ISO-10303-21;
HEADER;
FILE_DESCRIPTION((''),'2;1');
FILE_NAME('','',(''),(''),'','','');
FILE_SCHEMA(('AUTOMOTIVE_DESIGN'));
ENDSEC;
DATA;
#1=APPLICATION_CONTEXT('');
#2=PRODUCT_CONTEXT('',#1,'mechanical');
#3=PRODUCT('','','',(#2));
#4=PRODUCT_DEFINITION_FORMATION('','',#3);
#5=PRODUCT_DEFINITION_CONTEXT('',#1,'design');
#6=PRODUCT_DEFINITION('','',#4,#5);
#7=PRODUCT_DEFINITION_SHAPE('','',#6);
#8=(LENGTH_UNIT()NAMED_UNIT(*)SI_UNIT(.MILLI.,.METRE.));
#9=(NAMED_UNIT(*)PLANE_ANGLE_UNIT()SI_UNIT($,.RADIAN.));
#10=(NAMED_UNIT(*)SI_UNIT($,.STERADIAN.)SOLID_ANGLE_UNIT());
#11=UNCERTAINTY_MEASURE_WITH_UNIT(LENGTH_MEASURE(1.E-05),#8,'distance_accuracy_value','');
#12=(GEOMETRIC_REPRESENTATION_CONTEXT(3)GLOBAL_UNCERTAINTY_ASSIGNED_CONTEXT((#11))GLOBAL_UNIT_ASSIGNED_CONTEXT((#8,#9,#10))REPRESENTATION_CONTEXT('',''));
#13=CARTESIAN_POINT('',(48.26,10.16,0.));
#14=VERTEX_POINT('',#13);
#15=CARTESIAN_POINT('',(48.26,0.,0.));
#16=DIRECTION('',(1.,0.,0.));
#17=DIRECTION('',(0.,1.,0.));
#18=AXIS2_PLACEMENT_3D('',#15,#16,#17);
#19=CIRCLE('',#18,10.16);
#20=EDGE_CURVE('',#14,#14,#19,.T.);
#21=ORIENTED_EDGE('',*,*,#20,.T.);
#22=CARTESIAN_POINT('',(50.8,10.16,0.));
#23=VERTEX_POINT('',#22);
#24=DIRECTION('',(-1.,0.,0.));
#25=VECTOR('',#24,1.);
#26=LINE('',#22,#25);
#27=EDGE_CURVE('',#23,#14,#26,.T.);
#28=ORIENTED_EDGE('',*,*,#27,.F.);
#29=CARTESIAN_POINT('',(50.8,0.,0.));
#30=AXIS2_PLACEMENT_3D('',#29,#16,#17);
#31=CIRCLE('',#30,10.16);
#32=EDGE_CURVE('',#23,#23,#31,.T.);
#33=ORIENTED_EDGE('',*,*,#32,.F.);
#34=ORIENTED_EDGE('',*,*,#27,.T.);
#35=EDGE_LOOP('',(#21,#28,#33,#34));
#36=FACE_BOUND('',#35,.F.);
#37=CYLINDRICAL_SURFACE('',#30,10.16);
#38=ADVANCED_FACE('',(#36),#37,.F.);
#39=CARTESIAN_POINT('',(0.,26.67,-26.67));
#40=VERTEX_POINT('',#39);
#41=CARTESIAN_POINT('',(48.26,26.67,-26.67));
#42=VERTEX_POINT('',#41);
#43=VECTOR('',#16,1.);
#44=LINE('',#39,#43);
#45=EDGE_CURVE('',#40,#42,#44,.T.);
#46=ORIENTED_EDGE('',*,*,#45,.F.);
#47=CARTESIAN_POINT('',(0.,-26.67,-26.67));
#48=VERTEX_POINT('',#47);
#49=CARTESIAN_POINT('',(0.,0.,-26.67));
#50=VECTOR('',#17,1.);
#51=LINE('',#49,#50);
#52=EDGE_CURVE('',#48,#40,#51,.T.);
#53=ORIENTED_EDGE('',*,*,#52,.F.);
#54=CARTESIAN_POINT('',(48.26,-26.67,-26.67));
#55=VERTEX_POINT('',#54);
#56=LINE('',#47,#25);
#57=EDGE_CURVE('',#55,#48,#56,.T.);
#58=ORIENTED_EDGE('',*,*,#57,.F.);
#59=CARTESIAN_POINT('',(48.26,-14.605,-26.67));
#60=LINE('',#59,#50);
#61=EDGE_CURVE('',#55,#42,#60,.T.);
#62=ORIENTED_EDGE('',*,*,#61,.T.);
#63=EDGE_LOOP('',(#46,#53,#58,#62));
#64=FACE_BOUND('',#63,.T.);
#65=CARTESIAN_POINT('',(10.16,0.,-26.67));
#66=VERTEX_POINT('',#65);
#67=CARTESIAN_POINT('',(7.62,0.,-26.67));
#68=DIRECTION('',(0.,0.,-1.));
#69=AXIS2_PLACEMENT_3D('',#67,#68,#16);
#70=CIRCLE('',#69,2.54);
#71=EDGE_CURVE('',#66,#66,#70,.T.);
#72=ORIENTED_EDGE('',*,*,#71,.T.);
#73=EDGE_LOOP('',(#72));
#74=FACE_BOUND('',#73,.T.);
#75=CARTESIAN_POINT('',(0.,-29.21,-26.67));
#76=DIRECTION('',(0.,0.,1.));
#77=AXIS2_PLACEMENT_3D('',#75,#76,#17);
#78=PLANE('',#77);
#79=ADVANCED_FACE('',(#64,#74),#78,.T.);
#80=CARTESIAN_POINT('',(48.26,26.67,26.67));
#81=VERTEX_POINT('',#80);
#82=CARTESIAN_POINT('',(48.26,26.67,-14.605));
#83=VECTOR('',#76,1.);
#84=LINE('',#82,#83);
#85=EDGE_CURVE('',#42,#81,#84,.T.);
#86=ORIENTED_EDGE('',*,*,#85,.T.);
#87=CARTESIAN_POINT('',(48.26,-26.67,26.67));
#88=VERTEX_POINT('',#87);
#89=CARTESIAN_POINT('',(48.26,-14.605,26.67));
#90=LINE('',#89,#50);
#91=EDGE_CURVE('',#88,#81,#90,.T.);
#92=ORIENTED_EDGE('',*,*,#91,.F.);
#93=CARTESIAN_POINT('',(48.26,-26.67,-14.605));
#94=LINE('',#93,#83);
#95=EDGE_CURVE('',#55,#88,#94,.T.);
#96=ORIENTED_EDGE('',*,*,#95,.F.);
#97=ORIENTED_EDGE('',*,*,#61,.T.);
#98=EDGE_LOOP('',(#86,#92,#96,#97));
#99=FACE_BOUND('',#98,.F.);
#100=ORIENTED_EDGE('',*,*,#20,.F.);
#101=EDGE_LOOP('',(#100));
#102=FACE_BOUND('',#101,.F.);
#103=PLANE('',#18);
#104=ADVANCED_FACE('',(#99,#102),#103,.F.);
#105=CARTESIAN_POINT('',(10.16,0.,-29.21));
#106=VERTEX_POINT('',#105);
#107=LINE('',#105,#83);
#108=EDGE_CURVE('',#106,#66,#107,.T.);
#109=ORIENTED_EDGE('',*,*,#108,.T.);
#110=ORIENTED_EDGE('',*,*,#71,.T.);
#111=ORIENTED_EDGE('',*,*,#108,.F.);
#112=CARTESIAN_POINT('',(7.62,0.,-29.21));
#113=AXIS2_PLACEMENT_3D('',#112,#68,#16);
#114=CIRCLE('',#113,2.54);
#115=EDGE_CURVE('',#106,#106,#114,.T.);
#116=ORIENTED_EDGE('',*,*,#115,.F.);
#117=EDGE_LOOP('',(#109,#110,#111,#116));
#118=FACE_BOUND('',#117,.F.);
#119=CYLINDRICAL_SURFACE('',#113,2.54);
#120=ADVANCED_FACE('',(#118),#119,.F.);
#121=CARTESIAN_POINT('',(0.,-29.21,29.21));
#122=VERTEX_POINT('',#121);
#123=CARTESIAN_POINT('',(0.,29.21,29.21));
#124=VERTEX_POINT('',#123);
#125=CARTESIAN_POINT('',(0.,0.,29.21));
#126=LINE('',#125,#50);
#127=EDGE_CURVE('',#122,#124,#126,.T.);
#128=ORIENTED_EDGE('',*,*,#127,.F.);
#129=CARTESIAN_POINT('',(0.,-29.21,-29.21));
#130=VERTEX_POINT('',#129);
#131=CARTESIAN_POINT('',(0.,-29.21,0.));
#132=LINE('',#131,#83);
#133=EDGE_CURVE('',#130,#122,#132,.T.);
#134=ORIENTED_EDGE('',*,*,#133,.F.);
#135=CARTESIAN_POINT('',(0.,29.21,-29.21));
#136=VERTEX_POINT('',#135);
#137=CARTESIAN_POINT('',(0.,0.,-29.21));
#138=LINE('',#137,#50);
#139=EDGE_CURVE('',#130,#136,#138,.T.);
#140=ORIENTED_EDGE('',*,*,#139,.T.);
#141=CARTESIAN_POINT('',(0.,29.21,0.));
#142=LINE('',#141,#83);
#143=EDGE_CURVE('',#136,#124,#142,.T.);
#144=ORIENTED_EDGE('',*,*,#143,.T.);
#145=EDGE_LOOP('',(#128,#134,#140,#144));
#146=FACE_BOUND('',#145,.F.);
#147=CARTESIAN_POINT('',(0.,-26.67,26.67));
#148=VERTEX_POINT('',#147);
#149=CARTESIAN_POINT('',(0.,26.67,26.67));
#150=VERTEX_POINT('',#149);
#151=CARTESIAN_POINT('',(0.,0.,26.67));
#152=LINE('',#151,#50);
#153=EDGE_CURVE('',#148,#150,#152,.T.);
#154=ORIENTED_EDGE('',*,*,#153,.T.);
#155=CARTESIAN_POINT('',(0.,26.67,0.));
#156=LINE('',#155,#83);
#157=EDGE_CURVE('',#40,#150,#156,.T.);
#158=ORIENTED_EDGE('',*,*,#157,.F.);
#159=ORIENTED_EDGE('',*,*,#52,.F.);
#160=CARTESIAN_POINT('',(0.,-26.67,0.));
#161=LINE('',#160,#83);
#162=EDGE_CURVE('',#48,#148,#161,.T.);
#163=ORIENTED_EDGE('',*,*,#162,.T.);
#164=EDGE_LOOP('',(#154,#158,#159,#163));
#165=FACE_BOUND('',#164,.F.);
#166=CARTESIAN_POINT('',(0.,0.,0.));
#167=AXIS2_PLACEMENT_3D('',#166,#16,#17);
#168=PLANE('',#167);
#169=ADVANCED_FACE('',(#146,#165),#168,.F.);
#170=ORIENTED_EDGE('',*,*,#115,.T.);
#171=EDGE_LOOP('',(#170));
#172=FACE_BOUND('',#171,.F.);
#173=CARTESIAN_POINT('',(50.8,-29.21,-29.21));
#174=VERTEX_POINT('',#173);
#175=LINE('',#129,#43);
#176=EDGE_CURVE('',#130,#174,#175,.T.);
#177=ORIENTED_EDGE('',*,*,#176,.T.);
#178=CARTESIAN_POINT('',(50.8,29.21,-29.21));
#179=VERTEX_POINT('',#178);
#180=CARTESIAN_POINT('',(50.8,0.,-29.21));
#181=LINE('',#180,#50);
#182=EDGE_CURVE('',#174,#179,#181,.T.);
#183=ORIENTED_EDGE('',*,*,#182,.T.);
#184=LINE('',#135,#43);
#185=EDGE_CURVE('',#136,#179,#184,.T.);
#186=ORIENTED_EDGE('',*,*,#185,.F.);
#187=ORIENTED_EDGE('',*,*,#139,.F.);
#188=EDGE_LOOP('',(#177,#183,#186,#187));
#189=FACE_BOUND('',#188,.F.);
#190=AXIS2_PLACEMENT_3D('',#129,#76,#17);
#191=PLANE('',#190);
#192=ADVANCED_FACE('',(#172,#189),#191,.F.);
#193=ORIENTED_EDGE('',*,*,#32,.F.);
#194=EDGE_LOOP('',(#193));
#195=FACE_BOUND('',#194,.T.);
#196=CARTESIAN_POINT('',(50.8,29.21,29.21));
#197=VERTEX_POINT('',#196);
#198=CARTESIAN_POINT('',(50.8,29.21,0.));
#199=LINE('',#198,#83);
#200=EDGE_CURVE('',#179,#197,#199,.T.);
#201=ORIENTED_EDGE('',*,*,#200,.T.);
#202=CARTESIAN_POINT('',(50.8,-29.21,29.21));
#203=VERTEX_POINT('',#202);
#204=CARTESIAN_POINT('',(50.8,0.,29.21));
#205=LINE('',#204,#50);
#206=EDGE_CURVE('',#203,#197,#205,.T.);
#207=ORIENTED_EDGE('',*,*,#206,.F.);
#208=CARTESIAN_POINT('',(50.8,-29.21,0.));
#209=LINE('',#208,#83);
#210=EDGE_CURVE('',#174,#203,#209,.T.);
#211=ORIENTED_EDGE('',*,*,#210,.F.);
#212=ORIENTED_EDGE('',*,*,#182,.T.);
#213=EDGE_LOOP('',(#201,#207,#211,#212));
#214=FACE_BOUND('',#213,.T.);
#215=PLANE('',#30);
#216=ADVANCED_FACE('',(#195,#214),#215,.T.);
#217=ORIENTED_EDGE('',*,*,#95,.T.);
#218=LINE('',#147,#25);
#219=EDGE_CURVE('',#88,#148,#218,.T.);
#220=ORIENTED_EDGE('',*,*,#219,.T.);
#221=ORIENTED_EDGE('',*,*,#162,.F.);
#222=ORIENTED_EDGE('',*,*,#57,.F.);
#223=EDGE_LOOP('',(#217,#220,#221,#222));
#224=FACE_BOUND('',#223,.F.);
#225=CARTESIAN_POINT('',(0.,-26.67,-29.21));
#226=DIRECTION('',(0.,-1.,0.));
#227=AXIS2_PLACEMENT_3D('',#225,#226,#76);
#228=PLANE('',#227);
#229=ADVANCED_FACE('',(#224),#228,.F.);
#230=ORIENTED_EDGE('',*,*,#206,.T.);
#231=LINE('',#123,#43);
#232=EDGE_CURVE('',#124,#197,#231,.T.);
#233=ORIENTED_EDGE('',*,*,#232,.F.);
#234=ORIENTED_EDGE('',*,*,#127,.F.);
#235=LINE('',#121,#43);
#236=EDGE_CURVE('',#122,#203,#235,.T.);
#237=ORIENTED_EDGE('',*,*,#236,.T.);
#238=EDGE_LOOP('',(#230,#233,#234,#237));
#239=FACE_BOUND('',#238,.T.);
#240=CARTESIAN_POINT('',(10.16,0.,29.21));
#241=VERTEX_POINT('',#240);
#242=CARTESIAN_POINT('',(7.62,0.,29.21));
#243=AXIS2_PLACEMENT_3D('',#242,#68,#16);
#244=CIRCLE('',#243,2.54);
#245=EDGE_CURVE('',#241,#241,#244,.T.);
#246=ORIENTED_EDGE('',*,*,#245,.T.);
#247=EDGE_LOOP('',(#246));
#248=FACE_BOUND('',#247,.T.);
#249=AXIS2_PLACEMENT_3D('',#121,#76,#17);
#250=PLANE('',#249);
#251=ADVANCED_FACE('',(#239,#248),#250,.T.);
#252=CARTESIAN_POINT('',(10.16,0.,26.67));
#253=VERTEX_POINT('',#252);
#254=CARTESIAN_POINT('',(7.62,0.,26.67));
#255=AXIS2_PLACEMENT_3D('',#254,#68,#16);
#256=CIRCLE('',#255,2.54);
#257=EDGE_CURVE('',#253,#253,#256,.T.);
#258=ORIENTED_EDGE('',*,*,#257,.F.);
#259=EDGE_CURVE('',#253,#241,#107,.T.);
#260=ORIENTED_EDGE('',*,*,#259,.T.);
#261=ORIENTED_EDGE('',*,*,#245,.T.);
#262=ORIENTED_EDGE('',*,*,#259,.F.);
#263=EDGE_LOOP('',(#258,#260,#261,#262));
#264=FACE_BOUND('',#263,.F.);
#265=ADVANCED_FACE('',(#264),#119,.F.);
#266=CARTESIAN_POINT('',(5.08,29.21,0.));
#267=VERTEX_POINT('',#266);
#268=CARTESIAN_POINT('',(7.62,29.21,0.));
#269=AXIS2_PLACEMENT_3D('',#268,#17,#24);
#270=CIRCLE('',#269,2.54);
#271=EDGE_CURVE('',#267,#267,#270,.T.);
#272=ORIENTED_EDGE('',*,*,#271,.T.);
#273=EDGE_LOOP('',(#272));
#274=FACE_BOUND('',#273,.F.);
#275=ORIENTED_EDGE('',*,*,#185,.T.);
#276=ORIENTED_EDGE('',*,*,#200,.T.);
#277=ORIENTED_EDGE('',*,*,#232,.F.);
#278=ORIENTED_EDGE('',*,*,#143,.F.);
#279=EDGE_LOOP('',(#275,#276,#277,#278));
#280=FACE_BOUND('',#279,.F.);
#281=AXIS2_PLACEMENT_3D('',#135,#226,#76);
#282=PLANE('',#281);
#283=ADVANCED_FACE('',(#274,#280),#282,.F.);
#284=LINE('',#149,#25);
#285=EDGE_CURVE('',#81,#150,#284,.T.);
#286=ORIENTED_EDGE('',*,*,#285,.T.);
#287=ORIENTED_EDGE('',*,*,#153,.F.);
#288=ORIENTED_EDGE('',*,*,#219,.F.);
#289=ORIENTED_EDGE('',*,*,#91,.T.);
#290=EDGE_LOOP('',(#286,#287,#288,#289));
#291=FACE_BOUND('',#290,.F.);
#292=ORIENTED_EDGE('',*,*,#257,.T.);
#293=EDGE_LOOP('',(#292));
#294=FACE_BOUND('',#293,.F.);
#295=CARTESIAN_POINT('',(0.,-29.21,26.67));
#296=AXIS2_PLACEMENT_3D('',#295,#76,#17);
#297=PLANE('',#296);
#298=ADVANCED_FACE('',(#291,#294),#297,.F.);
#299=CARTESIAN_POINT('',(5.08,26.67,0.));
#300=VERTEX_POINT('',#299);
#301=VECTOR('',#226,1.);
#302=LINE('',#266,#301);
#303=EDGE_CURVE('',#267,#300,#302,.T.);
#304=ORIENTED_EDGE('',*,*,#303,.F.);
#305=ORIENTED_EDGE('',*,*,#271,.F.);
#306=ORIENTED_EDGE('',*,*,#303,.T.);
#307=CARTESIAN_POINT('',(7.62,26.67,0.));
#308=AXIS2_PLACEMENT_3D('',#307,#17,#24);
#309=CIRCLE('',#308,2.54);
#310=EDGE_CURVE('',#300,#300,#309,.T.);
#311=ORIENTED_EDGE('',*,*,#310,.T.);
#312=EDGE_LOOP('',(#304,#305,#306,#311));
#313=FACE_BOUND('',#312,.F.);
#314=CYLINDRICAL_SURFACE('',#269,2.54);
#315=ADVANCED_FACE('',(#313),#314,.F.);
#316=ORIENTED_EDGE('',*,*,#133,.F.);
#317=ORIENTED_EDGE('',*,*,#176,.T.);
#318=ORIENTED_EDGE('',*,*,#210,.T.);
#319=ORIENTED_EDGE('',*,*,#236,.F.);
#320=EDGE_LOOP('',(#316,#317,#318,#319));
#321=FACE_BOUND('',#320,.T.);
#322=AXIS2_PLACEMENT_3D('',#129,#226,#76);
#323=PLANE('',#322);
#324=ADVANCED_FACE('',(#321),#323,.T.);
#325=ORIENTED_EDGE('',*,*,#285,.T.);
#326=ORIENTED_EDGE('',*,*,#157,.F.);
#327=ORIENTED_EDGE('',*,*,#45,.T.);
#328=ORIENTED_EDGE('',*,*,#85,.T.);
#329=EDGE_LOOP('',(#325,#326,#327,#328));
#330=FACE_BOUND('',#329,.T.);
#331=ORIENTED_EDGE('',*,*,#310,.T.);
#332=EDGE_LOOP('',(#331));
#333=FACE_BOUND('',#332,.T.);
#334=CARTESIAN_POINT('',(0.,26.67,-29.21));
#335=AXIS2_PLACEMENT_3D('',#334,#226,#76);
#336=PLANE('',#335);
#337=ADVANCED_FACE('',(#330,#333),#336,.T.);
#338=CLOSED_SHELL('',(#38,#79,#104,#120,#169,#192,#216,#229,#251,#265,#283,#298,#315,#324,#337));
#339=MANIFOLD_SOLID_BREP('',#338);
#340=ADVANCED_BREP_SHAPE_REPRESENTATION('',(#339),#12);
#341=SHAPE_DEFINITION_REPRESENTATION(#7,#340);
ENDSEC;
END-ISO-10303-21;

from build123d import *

# Parameters (mm, degrees)
F0_W     = 58.42
F0_H     = 58.42
F1_DEPTH = 50.8
F2_T     = -2.54
F3_R     = 10.16
F4_DEPTH = 25.4
F5_R     = 2.54
F6_DEPTH = 39.116
F7_R     = 2.54
F8_DEPTH = 80.01


with BuildPart() as f1:
    # F0 (on Right) → F1 (new body)
    with BuildSketch(Plane.YZ):
        Rectangle(F0_W, F0_H)
    extrude(amount=F1_DEPTH)

    # F2
    f2_openings = [f1.faces().sort_by_distance(p)[0] for p in [
        (0, 0, 0),
    ]]
    offset(amount=F2_T, openings=f2_openings)

    # F3 (on face) → F4 (cut)
    with BuildSketch(Plane.YZ.offset(50.8)):
        Circle(F3_R)
    extrude(amount=-F4_DEPTH, mode=Mode.SUBTRACT)

    # F5 (on face) → F6 (cut)
    with BuildSketch(Plane(origin=(0, 29.21, 0), x_dir=(-1, 0, 0), z_dir=(0, 1, 0))):
        with Locations((-7.62, 0)):
            Circle(F5_R)
    extrude(amount=-F6_DEPTH, mode=Mode.SUBTRACT)

    # F7 (on face) → F8 (cut)
    with BuildSketch(Plane(origin=(0, 0, -29.21), x_dir=(1, 0, 0), z_dir=(0, 0, -1))):
        with Locations((7.62, 0)):
            Circle(F7_R)
    extrude(amount=-F8_DEPTH, mode=Mode.SUBTRACT)


solid = f1.part
